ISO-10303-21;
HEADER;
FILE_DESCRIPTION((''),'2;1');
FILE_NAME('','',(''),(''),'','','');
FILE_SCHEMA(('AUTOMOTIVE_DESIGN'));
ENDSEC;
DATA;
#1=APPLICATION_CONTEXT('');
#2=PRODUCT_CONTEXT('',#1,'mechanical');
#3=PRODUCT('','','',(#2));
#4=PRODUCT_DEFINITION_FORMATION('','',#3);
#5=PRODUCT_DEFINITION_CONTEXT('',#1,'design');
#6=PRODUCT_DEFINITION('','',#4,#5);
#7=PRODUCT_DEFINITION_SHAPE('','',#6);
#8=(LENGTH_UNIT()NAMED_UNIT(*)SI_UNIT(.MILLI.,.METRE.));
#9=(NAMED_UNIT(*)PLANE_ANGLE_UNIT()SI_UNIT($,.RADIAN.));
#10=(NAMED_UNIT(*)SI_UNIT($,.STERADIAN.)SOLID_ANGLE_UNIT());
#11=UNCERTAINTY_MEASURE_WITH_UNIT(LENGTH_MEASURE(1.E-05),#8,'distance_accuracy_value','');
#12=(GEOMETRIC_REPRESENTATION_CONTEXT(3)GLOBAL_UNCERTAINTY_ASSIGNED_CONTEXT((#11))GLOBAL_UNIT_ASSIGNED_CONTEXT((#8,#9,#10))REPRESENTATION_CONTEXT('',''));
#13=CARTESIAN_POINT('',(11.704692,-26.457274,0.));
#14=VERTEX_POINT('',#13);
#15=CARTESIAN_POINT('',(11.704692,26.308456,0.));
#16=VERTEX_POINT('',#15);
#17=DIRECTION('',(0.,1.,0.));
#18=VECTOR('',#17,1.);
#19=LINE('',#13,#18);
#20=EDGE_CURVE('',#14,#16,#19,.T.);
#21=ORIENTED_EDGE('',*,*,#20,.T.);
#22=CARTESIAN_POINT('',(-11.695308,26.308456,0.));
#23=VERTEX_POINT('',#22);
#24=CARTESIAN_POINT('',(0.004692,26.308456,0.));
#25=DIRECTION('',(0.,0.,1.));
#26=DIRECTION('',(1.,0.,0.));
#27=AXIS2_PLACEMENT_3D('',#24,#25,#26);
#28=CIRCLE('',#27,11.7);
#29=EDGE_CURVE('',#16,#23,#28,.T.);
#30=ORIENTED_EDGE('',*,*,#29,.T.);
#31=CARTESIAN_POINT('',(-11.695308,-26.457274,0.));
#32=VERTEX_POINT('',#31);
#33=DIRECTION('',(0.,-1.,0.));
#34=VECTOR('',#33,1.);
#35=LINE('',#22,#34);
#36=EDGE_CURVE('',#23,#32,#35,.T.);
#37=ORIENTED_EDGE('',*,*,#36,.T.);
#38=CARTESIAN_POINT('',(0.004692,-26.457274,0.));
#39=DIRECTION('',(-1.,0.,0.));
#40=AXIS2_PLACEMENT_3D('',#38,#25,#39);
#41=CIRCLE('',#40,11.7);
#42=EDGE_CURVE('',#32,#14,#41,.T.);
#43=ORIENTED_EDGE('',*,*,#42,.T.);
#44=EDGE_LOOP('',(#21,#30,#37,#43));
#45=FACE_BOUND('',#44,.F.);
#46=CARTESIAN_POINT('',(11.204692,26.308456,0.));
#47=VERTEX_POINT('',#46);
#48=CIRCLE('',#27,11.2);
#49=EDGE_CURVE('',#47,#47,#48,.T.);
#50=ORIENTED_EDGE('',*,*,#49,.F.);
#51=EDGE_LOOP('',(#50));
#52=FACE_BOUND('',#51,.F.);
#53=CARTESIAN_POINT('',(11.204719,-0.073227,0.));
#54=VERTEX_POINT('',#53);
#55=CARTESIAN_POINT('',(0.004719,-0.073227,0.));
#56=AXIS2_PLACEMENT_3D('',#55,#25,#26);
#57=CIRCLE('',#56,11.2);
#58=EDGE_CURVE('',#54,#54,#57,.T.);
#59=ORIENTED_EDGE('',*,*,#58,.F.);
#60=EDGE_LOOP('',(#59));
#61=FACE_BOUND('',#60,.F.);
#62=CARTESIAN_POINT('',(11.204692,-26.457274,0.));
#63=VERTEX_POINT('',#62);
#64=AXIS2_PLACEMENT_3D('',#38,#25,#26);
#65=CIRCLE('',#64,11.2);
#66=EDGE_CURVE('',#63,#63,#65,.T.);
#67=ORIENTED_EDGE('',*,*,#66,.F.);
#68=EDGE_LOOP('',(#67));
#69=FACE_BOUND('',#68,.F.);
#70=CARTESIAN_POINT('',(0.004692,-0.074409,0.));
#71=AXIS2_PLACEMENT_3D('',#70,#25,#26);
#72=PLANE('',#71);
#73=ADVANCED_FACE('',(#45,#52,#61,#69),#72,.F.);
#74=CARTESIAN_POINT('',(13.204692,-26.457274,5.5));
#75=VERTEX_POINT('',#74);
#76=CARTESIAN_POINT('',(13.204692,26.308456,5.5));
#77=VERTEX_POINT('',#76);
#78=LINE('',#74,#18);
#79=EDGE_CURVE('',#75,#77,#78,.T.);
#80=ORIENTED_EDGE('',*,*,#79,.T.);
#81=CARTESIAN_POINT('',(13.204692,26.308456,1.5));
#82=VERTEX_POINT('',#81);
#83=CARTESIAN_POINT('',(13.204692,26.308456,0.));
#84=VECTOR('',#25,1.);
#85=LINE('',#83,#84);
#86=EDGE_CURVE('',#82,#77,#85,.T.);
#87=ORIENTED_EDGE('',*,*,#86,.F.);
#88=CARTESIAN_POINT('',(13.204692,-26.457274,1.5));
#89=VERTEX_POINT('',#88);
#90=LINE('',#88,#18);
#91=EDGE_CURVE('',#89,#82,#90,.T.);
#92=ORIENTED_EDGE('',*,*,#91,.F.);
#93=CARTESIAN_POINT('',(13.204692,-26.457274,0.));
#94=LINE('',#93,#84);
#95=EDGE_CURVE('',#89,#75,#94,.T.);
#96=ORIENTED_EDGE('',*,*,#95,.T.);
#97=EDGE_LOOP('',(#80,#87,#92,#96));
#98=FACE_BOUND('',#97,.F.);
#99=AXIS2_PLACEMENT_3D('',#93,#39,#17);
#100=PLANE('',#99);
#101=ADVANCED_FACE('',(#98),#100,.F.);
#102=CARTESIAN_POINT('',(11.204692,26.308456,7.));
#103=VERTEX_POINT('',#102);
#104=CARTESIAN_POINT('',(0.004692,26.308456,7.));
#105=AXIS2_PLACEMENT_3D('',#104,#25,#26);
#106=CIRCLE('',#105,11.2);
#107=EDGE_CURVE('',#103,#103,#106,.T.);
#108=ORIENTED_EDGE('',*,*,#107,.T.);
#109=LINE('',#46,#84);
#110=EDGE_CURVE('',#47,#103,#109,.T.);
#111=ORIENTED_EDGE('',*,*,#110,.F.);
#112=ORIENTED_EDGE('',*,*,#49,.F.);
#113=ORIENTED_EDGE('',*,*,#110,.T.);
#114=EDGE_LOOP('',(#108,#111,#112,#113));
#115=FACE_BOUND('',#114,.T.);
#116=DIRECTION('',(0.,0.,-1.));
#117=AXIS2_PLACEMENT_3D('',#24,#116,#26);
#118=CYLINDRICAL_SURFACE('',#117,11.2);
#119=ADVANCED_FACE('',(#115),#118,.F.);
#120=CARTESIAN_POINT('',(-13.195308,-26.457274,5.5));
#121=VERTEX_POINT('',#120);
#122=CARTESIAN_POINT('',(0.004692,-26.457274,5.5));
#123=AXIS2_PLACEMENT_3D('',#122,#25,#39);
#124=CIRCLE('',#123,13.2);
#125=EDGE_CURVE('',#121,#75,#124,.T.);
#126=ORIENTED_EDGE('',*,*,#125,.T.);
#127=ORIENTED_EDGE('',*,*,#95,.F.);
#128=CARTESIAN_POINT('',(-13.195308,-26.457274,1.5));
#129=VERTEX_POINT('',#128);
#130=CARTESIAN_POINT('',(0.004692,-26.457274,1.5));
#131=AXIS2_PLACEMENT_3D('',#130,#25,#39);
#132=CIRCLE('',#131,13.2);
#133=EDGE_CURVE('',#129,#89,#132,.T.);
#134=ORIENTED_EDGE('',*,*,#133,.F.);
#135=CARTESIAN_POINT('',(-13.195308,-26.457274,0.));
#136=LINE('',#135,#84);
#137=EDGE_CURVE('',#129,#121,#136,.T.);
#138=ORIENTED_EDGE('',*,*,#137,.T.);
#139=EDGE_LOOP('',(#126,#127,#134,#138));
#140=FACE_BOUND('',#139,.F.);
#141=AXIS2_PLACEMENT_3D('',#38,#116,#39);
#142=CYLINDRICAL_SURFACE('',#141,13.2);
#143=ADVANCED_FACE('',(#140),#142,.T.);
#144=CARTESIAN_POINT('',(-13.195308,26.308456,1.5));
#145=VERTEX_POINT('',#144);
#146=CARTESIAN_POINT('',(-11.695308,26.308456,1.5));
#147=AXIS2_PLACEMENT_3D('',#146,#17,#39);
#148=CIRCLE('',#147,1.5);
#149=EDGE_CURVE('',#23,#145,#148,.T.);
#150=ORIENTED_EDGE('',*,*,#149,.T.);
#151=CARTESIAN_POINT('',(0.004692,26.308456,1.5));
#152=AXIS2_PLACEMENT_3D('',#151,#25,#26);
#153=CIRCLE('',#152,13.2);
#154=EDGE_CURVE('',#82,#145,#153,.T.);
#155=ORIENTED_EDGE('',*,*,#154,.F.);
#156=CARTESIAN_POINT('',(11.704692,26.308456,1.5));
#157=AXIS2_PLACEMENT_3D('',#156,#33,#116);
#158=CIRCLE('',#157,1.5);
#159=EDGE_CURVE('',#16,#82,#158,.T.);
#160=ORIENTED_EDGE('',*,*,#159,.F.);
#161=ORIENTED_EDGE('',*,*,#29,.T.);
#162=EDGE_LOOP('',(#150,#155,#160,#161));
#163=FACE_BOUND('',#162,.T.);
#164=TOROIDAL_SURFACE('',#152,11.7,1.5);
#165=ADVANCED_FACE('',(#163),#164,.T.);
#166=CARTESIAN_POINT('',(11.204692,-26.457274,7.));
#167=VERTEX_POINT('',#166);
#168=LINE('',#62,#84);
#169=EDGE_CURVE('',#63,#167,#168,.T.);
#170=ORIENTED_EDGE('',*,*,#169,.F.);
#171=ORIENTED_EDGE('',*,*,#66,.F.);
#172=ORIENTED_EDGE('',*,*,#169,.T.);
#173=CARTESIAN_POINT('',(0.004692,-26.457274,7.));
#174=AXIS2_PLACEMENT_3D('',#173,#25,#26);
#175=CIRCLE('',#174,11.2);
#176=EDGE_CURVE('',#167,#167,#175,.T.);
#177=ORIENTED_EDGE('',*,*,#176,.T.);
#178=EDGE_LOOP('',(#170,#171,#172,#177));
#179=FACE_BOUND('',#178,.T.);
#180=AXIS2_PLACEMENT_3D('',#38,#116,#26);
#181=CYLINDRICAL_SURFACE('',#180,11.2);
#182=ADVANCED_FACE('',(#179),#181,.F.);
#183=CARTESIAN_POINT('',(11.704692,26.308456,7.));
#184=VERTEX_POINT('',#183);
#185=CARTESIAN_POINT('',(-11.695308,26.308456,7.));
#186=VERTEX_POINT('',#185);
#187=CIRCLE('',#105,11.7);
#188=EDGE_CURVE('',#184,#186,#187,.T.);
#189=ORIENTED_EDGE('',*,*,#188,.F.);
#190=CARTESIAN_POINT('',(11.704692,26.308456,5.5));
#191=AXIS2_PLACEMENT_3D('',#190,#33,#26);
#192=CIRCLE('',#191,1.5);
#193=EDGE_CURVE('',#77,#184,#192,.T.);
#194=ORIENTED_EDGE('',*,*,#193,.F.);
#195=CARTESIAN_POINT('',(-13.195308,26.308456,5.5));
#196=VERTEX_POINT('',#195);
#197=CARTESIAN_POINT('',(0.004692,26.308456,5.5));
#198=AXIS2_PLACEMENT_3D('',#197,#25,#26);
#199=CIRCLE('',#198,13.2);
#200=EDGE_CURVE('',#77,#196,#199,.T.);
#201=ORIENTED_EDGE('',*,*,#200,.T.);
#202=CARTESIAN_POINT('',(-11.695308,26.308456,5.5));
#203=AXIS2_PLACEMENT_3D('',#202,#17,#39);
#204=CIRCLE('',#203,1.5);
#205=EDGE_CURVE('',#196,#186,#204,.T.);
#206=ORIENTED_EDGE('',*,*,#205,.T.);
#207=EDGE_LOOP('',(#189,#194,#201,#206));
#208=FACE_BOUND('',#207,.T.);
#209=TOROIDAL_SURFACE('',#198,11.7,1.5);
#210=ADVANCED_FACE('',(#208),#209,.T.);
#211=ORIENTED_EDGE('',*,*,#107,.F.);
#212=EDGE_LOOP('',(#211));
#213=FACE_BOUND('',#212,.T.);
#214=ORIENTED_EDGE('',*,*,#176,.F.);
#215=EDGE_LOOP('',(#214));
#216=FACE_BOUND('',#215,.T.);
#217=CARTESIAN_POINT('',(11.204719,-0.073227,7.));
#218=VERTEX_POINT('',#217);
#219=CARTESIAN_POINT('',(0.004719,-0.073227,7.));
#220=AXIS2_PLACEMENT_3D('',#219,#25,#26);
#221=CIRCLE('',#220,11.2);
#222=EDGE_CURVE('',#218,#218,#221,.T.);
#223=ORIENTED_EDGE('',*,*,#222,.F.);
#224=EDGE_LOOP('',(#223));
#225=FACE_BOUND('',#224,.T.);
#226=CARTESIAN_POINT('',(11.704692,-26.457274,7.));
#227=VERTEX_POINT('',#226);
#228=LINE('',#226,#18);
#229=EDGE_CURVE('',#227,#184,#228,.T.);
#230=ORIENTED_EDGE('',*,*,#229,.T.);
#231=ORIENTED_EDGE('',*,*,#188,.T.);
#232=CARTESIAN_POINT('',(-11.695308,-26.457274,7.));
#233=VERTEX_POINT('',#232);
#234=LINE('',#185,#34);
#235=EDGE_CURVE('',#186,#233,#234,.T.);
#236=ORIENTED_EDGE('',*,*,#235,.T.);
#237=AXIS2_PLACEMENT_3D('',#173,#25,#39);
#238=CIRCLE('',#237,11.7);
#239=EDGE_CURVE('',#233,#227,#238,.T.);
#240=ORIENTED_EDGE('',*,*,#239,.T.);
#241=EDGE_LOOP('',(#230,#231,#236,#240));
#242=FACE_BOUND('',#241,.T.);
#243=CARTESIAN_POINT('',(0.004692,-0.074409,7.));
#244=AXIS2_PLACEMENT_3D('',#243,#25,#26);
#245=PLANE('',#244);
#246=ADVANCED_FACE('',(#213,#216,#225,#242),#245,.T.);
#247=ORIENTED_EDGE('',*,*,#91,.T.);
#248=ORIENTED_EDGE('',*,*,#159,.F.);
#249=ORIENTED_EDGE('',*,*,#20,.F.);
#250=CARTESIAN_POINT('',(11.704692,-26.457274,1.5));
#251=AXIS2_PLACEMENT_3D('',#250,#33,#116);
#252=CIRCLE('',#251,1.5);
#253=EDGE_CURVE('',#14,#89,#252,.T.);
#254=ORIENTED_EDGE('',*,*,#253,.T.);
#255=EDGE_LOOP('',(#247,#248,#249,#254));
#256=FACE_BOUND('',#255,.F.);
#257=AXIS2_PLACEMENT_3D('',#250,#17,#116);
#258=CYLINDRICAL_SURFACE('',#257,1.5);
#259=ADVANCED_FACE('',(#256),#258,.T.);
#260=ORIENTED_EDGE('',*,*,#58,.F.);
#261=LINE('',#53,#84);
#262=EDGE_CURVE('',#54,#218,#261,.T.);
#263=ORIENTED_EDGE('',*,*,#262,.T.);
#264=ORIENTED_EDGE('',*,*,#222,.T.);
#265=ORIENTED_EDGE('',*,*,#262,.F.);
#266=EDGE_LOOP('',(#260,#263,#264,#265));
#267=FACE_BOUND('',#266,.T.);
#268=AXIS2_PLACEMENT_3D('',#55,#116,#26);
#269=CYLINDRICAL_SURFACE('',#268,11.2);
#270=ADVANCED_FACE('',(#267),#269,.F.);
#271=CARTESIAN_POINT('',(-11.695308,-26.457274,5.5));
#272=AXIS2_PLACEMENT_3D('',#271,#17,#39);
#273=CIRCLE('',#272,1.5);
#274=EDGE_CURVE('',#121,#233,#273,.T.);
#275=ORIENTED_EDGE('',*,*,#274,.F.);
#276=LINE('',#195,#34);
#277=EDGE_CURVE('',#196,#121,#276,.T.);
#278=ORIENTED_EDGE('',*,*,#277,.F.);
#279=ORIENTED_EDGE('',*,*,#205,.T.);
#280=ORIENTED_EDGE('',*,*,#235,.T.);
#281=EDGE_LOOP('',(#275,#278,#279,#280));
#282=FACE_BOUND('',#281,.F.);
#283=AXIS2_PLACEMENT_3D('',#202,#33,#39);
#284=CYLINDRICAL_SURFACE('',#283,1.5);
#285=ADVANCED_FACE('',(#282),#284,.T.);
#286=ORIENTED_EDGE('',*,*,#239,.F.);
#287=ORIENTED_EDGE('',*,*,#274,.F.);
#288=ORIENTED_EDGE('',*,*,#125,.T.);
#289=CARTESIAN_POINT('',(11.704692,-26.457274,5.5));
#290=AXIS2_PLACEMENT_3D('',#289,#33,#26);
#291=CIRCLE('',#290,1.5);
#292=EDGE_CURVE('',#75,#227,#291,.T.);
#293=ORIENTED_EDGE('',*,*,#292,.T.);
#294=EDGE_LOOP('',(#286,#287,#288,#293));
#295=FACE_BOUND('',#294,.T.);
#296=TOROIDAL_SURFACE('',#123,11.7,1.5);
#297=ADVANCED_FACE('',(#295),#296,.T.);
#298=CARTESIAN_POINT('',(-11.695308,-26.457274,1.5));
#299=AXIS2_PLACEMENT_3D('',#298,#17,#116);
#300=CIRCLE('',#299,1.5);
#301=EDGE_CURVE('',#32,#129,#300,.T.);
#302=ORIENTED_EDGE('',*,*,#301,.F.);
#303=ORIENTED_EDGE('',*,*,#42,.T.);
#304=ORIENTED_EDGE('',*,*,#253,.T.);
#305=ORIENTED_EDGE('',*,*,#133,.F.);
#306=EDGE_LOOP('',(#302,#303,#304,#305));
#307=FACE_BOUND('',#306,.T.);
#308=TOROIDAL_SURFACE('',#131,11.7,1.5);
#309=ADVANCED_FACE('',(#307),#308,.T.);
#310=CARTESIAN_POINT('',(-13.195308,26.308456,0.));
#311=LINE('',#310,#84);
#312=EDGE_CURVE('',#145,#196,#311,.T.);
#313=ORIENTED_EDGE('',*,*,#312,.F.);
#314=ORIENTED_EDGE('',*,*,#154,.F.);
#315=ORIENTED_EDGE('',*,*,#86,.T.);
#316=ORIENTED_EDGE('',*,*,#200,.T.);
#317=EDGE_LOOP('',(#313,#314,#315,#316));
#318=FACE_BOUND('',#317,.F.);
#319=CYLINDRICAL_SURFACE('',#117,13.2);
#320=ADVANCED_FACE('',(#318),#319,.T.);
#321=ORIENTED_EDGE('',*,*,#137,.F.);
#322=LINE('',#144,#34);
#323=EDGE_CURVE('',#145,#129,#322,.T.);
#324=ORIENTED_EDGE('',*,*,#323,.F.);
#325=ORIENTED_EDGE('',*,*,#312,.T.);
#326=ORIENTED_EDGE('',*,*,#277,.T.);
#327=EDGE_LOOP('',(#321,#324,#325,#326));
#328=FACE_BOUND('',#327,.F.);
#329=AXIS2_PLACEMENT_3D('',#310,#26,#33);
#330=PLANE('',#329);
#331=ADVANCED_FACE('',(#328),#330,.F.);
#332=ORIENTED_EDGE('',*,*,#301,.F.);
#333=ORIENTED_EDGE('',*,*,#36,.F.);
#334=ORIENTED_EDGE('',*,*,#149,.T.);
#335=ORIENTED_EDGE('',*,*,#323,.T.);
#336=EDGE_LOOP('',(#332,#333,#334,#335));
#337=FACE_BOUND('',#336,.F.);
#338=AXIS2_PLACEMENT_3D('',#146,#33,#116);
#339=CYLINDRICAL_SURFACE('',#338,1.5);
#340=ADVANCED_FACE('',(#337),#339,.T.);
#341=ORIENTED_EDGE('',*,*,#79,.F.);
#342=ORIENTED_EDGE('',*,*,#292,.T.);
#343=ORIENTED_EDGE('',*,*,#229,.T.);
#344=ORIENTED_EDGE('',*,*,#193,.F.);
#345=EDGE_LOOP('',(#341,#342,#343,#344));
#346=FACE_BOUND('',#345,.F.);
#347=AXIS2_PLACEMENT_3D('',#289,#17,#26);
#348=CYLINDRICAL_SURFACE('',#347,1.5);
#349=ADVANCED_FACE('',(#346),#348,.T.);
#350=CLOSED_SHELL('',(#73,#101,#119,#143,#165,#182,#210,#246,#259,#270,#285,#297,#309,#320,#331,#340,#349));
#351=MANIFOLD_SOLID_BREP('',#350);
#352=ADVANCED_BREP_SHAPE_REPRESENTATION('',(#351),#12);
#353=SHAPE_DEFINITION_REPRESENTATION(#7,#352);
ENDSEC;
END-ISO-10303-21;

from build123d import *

# Parameters (mm, degrees)
F0_R     = 11.2
F1_DEPTH = 7
F2_R     = 1.5
F3_R     = 1.5


with BuildPart() as f1:
    # F0 (on Top) → F1 (new body)
    with BuildSketch(Plane.XY):
        with BuildLine():
            Line((-13.195308, 26.308456), (-13.195308, -26.457274))
            ThreePointArc((-13.195308, -26.457274), (0.004692, -39.657274), (13.204692, -26.457274))
            Line((13.204692, -26.457274), (13.204692, 26.308456))
            ThreePointArc((13.204692, 26.308456), (0.004692, 39.508456), (-13.195308, 26.308456))
        make_face()
        with Locations((0.004692, -26.457274)):
            Circle(F0_R, mode=Mode.SUBTRACT)
        with Locations((0.004692, 26.308456)):
            Circle(F0_R, mode=Mode.SUBTRACT)
        with Locations((0.004719, -0.073227)):
            Circle(F0_R, mode=Mode.SUBTRACT)
    extrude(amount=F1_DEPTH)

    # F2
    f2_edges = [f1.edges().sort_by_distance(p)[0] for p in [
        (-13.195308, -0.074409, 7),
        (0.004692, 39.508456, 7),
        (13.204692, -0.074409, 7),
        (0.004692, -39.657274, 7),
    ]]
    fillet(f2_edges, radius=F2_R)

    # F3
    f3_edges = [f1.edges().sort_by_distance(p)[0] for p in [
        (13.204692, -0.074409, 0),
        (0.004692, 39.508456, 0),
        (-13.195308, -0.074409, 0),
        (0.004692, -39.657274, 0),
    ]]
    fillet(f3_edges, radius=F3_R)


solid = f1.part
